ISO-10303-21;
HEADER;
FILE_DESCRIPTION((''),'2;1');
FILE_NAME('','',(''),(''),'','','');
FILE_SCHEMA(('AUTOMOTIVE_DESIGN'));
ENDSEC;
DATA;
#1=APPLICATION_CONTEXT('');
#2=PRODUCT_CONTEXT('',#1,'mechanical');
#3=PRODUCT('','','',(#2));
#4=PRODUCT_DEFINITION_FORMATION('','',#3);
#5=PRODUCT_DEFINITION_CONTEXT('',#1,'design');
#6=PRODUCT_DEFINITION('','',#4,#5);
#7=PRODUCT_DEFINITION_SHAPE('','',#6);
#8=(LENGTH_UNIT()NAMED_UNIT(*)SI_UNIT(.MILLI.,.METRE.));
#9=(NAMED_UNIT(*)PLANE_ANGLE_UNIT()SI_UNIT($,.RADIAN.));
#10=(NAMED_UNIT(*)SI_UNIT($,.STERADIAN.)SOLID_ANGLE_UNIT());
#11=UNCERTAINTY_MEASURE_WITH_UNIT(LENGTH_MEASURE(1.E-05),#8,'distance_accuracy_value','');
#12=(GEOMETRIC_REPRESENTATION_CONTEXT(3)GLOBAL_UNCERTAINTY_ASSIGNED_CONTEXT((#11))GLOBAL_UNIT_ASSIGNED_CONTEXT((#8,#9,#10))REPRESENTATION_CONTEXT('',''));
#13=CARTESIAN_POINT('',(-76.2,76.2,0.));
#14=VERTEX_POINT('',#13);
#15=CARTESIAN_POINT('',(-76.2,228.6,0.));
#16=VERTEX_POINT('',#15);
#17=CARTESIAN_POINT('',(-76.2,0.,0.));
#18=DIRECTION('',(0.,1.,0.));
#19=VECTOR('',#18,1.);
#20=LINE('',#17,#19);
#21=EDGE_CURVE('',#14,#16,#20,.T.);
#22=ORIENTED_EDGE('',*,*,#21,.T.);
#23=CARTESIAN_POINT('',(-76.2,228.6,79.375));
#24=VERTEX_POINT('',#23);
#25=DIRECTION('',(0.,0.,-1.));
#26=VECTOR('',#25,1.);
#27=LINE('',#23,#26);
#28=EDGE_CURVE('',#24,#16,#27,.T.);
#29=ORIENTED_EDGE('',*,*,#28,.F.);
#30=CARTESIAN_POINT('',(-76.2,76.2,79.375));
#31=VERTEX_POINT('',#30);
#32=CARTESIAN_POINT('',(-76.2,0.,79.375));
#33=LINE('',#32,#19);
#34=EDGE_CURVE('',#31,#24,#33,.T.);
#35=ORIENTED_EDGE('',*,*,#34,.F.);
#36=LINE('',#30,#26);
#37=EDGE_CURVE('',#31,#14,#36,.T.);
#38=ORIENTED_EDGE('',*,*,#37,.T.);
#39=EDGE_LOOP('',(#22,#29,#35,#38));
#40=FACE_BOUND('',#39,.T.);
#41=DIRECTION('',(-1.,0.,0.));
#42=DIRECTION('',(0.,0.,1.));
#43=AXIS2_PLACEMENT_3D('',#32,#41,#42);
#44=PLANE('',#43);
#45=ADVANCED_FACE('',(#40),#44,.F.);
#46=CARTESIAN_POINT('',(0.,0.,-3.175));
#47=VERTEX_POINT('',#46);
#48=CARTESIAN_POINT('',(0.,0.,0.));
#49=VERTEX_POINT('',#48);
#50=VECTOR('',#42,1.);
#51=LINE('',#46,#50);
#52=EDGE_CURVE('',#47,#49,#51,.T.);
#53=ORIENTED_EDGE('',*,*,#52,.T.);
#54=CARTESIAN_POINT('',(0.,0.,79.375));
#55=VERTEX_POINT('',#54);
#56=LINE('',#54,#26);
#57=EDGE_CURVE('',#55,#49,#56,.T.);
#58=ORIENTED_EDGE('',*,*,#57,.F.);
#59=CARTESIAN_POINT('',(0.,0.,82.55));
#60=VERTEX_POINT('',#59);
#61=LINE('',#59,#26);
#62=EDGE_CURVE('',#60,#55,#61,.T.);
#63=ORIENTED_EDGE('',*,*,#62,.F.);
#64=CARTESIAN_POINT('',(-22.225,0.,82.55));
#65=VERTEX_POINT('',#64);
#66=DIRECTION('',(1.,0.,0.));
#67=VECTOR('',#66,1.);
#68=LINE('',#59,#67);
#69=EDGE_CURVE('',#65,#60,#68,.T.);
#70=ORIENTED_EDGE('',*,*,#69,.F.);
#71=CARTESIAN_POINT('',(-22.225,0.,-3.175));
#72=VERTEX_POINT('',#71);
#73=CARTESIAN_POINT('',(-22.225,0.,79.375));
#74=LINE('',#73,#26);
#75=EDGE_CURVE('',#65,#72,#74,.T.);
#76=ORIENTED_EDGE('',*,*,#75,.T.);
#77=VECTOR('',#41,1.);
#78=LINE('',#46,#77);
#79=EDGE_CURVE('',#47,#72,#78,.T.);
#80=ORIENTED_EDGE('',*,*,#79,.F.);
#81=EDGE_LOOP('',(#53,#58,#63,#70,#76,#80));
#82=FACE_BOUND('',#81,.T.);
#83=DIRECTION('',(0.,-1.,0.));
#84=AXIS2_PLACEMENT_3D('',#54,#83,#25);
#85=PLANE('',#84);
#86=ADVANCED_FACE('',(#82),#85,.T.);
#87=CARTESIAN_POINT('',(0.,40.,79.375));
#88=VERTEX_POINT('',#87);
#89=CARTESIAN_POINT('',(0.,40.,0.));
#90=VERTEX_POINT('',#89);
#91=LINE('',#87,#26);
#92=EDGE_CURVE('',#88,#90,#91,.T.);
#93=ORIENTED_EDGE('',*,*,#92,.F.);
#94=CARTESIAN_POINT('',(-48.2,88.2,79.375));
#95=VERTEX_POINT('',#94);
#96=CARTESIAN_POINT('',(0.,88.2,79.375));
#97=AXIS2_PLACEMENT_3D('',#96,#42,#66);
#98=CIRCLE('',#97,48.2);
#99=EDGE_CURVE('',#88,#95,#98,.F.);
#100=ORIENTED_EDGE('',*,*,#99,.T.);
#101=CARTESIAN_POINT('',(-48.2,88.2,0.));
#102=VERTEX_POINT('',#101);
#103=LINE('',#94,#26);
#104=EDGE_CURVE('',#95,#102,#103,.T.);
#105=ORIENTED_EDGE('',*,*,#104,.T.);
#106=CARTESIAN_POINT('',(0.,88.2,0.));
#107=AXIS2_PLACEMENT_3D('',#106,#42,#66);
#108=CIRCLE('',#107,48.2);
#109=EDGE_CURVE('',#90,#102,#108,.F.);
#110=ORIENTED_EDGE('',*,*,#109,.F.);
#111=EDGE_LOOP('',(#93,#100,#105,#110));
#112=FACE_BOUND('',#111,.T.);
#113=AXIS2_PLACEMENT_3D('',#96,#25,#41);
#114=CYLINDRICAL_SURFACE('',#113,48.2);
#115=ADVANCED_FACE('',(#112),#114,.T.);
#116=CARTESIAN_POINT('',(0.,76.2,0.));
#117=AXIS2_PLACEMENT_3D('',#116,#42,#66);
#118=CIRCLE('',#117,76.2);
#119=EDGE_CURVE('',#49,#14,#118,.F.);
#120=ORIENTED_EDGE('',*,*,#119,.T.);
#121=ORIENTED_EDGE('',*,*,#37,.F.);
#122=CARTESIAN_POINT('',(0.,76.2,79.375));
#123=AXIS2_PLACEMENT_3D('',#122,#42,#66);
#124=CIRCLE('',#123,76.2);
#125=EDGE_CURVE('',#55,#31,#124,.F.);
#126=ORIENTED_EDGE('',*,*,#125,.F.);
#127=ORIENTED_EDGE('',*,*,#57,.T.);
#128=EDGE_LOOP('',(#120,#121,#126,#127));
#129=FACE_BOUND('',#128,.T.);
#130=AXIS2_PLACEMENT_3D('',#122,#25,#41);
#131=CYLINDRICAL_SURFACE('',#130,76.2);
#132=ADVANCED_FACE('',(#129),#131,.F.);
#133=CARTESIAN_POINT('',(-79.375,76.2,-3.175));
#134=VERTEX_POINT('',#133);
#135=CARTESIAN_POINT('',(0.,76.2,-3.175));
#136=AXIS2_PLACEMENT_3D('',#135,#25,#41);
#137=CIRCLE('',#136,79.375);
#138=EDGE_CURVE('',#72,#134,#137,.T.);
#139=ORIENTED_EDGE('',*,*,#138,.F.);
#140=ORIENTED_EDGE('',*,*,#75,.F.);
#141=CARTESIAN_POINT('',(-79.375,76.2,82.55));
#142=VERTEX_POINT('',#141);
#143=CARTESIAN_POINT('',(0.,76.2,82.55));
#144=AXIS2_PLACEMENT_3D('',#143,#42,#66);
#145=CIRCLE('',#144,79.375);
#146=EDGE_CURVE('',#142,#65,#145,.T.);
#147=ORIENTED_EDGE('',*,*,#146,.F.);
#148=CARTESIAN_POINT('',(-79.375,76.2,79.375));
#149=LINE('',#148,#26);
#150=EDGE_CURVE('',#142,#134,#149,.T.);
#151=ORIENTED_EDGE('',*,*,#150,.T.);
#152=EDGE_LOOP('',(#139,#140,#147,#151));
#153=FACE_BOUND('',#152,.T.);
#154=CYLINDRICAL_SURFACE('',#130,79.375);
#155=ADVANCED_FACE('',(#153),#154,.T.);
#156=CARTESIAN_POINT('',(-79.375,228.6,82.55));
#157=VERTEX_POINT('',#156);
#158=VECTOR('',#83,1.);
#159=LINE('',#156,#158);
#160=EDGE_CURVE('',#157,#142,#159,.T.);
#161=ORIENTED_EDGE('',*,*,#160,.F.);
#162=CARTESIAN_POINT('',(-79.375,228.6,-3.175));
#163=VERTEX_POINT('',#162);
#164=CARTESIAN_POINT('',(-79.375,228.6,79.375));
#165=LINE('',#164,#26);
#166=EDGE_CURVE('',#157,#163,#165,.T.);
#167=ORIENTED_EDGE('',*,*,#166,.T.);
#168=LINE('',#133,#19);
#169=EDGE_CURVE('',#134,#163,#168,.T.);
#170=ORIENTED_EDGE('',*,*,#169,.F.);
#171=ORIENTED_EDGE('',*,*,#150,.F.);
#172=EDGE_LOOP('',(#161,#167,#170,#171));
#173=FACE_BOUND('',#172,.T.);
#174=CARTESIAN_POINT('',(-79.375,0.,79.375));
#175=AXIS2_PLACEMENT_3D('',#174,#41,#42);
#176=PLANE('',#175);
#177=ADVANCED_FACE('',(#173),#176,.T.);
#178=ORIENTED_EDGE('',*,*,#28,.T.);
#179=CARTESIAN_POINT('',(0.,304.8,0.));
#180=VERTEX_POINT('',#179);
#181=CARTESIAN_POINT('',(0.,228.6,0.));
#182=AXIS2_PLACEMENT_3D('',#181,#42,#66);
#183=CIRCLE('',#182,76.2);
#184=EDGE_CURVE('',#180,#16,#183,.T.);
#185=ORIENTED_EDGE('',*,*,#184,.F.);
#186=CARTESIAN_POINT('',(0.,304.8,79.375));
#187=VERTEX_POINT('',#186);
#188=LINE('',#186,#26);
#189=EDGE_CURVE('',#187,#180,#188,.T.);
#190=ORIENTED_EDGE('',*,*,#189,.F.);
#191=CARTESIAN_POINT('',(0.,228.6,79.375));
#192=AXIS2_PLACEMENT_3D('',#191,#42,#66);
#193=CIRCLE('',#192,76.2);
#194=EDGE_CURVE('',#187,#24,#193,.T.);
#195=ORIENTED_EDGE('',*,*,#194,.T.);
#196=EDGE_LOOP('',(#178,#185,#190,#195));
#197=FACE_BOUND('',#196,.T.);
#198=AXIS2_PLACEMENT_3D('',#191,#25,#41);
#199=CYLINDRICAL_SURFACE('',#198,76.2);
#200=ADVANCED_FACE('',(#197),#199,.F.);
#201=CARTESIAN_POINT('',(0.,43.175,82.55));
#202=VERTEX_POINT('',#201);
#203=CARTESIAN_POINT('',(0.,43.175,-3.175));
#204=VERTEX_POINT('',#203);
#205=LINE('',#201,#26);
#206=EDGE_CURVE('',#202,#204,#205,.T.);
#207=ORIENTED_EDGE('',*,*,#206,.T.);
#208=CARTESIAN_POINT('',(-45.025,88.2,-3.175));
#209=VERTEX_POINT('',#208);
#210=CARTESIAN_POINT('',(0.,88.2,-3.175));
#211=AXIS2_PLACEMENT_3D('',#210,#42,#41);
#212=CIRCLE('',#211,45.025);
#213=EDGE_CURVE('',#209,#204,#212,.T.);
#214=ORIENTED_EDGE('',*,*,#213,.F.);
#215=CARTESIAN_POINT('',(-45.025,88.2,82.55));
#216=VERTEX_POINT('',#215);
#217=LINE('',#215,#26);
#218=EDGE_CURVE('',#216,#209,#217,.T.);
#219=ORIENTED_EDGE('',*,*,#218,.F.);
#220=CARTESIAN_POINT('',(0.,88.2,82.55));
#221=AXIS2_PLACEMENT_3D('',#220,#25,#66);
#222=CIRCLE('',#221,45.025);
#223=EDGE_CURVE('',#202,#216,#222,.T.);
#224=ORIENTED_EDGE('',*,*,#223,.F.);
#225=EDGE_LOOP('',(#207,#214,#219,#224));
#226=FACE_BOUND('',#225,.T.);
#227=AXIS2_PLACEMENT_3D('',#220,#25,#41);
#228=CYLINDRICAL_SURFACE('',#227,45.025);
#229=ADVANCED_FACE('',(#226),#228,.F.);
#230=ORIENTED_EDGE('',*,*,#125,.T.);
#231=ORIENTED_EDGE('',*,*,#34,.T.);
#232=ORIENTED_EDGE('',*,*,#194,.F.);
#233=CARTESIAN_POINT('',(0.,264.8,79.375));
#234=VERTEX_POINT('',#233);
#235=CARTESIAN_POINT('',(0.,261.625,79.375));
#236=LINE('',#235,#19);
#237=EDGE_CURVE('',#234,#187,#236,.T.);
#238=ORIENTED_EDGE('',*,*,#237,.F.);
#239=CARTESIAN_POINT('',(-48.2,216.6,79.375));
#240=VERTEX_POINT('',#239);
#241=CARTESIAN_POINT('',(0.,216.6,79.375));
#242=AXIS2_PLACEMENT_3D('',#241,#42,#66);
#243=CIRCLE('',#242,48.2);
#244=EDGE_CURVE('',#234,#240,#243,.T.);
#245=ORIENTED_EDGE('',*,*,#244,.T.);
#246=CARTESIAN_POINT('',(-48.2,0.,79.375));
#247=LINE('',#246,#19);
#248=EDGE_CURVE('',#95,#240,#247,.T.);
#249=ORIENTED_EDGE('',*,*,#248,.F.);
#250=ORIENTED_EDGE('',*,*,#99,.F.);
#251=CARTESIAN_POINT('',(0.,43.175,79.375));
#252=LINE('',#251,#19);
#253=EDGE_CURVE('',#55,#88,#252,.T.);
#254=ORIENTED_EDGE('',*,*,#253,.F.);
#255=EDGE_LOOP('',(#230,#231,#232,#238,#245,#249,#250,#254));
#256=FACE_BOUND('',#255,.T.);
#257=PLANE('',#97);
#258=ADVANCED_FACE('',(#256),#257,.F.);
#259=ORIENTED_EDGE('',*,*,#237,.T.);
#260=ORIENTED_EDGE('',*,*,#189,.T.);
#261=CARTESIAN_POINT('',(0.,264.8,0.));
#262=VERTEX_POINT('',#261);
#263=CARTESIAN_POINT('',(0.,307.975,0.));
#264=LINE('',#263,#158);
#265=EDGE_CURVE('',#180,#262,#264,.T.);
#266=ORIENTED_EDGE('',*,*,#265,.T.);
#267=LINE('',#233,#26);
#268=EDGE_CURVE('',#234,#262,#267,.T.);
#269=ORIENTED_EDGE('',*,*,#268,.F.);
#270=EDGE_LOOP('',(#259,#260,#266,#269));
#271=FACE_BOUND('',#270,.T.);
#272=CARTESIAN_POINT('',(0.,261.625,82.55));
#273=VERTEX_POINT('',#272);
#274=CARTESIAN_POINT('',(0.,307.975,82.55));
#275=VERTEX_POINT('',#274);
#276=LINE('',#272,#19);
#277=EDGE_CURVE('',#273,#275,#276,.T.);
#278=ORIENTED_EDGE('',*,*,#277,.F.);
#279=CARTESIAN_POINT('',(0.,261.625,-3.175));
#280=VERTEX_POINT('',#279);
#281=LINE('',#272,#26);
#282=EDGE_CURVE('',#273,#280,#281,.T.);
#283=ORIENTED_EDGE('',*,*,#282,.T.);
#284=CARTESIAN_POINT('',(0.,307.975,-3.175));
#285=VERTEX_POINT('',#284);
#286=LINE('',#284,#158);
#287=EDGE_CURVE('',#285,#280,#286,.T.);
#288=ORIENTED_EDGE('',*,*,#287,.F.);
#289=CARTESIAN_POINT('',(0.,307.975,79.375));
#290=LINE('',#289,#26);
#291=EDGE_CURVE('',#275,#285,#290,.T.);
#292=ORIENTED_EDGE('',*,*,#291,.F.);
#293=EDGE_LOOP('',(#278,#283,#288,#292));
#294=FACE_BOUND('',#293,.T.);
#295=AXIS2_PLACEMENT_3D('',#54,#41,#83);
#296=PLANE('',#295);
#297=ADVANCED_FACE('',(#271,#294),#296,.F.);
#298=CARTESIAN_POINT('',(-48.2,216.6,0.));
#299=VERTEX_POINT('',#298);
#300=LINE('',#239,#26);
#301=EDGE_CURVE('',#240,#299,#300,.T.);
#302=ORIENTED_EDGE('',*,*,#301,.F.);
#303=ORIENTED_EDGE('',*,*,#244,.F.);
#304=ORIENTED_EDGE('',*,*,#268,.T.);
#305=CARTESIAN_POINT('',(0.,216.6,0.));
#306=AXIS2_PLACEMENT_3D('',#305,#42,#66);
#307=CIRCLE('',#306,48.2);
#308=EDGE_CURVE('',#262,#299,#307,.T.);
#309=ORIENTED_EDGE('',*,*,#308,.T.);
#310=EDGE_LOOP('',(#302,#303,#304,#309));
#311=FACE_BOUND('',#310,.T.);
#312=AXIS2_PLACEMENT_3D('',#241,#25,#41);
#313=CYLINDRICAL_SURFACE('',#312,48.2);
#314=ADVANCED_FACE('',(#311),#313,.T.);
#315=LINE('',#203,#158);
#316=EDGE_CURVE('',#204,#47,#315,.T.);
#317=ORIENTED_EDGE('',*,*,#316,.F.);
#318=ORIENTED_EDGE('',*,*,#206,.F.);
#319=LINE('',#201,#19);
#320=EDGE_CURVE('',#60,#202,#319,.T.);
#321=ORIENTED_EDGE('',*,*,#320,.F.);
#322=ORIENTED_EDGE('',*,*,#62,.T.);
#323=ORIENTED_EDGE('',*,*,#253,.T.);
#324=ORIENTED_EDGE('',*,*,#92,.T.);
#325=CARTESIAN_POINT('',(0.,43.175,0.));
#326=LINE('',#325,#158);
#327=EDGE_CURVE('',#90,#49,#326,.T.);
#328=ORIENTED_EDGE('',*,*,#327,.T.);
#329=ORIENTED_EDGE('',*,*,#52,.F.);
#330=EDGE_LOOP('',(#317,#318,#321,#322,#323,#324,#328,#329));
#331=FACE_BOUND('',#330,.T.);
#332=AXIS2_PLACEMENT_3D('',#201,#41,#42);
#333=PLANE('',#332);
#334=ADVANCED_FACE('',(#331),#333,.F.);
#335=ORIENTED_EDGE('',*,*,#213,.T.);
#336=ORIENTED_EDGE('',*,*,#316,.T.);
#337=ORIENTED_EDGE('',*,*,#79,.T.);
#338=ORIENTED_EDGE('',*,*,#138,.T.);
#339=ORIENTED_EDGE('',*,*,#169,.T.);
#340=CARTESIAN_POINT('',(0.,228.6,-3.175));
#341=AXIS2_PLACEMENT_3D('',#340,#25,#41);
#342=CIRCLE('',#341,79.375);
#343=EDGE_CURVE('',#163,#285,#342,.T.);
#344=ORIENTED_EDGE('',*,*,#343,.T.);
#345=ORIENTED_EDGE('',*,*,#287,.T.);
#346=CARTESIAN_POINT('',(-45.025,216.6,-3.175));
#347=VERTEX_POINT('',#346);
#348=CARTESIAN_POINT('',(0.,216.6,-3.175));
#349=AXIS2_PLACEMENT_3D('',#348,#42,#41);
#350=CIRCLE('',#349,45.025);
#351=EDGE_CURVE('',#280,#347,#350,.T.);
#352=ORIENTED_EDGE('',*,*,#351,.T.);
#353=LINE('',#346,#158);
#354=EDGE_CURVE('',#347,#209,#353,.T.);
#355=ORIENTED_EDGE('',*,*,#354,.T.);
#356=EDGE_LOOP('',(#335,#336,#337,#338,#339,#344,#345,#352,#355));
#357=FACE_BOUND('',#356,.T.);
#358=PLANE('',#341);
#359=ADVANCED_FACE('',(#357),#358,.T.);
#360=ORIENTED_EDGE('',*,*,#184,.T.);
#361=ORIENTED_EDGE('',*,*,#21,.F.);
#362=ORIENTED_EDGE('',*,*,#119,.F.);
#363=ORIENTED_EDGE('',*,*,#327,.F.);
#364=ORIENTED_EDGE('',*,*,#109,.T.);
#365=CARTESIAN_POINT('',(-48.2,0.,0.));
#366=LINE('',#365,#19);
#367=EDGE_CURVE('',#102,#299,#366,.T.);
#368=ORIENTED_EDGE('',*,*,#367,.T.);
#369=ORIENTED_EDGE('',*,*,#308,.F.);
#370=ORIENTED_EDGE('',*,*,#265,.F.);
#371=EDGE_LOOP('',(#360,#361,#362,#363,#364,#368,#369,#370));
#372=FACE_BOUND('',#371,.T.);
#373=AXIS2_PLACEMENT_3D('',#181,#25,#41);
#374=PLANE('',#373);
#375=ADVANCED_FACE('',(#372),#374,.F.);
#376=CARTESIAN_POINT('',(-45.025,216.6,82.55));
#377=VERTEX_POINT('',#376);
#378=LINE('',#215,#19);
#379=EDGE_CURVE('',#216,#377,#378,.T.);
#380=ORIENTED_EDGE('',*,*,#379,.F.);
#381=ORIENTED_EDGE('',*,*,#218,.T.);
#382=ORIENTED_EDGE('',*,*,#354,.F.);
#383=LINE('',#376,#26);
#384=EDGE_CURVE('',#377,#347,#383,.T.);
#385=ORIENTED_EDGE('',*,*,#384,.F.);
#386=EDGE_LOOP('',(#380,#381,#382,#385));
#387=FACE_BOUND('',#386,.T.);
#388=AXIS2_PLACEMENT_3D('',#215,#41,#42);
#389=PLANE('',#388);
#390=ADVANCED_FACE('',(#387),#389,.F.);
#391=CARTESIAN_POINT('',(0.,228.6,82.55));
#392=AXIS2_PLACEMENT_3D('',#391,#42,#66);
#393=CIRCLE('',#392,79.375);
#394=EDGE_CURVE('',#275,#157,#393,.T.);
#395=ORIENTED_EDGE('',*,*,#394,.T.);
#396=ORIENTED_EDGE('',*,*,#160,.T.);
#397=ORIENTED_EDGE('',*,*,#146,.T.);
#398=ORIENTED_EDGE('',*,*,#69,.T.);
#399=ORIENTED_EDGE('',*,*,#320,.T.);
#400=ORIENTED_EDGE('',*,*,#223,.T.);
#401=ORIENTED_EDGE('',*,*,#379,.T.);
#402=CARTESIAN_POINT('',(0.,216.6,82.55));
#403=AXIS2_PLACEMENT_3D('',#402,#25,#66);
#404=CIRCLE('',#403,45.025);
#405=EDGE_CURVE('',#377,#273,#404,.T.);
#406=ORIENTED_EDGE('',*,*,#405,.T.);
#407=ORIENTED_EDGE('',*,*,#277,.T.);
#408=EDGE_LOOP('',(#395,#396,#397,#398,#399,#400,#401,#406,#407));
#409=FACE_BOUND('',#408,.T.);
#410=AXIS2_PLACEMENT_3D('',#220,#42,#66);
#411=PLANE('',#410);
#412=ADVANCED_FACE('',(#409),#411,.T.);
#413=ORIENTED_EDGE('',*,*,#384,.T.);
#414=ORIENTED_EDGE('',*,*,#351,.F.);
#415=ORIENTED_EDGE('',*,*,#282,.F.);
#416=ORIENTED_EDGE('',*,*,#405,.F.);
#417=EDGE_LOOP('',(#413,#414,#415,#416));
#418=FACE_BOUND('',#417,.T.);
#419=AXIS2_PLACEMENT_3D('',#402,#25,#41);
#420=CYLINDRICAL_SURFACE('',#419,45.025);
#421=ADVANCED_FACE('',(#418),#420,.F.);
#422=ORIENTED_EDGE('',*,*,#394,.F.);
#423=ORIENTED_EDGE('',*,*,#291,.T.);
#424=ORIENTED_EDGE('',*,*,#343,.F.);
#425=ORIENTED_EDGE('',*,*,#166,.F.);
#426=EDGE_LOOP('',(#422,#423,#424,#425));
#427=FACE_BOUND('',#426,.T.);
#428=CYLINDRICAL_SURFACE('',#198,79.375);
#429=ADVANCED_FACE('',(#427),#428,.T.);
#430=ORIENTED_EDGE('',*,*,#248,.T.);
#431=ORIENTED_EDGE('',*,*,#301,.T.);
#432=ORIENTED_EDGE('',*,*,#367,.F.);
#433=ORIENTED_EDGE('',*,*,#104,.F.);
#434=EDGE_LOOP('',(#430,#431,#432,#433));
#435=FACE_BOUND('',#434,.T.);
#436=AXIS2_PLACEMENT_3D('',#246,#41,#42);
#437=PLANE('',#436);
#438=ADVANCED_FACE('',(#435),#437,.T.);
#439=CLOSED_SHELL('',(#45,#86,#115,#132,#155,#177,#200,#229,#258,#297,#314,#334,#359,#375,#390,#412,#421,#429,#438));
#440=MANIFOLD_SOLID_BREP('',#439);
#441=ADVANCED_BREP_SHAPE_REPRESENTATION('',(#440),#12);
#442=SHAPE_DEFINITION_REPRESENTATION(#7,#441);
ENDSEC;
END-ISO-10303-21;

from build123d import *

# Parameters (mm, degrees)
BOSS_EXTRUDE1_DEPTH   = 79.375
BOSS_EXTRUDE1_2_DEPTH = 79.375
BOSS_EXTRUDE2_DEPTH   = 3.175
BOSS_EXTRUDE3_START   = 3.175
BOSS_EXTRUDE3_DEPTH   = 3.175


with BuildPart() as part:
    # Sketch2 → Boss-Extrude1 (new body)
    with BuildSketch(Plane.XY):
        with BuildLine():
            Line((0, 304.8), (0, 307.975))
            ThreePointArc((0, 307.975), (-56.126600757, 284.726600757), (-79.375, 228.6))
            Line((-79.375, 228.6), (-79.375, 76.2))
            ThreePointArc((-79.375, 76.2), (-63.5, 28.575), (-22.225, 0))
            Line((-22.225, 0), (0, 0))
            ThreePointArc((0, 0), (-53.881536726, 22.318463274), (-76.2, 76.2))
            Line((-76.2, 76.2), (-76.2, 228.6))
            ThreePointArc((-76.2, 228.6), (-53.881536726, 282.481536726), (0, 304.8))
        make_face()
    extrude(amount=BOSS_EXTRUDE1_DEPTH)



with BuildPart() as body_2:
    # Sketch2 → Boss-Extrude1 2 (new body)
    with BuildSketch(Plane.XY):
        with BuildLine():
            ThreePointArc((-48.2, 88.2), (-34.082546853, 54.117453147), (0, 40))
            Line((0, 40), (0, 43.175))
            ThreePointArc((0, 43.175), (-31.837482823, 56.362517177), (-45.025, 88.2))
            Line((-45.025, 88.2), (-45.025, 216.6))
            ThreePointArc((-45.025, 216.6), (-31.837482823, 248.437482823), (0, 261.625))
            Line((0, 261.625), (0, 264.8))
            ThreePointArc((0, 264.8), (-34.082546853, 250.682546853), (-48.2, 216.6))
            Line((-48.2, 216.6), (-48.2, 88.2))
        make_face()
    extrude(amount=BOSS_EXTRUDE1_2_DEPTH)


with BuildPart() as part_1:
    add(part.part)

    add(body_2.part)  # Boss-Extrude2 merges body 2
    # Sketch3 → Boss-Extrude2 (add)
    with BuildSketch(Plane.XY.offset(79.375)):
        with BuildLine():
            Line((-45.025, 88.2), (-45.025, 216.6))
            ThreePointArc((-45.025, 216.6), (-31.837482823, 248.437482823), (0, 261.625))
            Line((0, 261.625), (0, 307.975))
            ThreePointArc((0, 307.975), (-56.126600757, 284.726600757), (-79.375, 228.6))
            Line((-79.375, 228.6), (-79.375, 76.2))
            ThreePointArc((-79.375, 76.2), (-63.5, 28.575), (-22.225, 0))
            Line((-22.225, 0), (0, 0))
            Line((0, 0), (0, 43.175))
            ThreePointArc((0, 43.175), (-31.837482823, 56.362517177), (-45.025, 88.2))
        make_face()
    extrude(amount=BOSS_EXTRUDE2_DEPTH)

    # Sketch4 → Boss-Extrude3 (add)
    with BuildSketch(Plane(origin=(0, 0, 0), x_dir=(-1, 0, 0), z_dir=(0, 0, -1)).offset(BOSS_EXTRUDE3_START)):
        with BuildLine():
            Line((79.375, 76.2), (79.375, 228.6))
            ThreePointArc((79.375, 228.6), (56.126600757, 284.726600757), (0, 307.975))
            Line((0, 307.975), (0, 261.625))
            ThreePointArc((0, 261.625), (31.837482823, 248.437482823), (45.025, 216.6))
            Line((45.025, 216.6), (45.025, 88.2))
            ThreePointArc((45.025, 88.2), (31.837482823, 56.362517177), (0, 43.175))
            Line((0, 43.175), (0, 0))
            Line((0, 0), (22.225, 0))
            ThreePointArc((22.225, 0), (63.5, 28.575), (79.375, 76.2))
        make_face()
    extrude(amount=-BOSS_EXTRUDE3_DEPTH)


solid = part_1.part
